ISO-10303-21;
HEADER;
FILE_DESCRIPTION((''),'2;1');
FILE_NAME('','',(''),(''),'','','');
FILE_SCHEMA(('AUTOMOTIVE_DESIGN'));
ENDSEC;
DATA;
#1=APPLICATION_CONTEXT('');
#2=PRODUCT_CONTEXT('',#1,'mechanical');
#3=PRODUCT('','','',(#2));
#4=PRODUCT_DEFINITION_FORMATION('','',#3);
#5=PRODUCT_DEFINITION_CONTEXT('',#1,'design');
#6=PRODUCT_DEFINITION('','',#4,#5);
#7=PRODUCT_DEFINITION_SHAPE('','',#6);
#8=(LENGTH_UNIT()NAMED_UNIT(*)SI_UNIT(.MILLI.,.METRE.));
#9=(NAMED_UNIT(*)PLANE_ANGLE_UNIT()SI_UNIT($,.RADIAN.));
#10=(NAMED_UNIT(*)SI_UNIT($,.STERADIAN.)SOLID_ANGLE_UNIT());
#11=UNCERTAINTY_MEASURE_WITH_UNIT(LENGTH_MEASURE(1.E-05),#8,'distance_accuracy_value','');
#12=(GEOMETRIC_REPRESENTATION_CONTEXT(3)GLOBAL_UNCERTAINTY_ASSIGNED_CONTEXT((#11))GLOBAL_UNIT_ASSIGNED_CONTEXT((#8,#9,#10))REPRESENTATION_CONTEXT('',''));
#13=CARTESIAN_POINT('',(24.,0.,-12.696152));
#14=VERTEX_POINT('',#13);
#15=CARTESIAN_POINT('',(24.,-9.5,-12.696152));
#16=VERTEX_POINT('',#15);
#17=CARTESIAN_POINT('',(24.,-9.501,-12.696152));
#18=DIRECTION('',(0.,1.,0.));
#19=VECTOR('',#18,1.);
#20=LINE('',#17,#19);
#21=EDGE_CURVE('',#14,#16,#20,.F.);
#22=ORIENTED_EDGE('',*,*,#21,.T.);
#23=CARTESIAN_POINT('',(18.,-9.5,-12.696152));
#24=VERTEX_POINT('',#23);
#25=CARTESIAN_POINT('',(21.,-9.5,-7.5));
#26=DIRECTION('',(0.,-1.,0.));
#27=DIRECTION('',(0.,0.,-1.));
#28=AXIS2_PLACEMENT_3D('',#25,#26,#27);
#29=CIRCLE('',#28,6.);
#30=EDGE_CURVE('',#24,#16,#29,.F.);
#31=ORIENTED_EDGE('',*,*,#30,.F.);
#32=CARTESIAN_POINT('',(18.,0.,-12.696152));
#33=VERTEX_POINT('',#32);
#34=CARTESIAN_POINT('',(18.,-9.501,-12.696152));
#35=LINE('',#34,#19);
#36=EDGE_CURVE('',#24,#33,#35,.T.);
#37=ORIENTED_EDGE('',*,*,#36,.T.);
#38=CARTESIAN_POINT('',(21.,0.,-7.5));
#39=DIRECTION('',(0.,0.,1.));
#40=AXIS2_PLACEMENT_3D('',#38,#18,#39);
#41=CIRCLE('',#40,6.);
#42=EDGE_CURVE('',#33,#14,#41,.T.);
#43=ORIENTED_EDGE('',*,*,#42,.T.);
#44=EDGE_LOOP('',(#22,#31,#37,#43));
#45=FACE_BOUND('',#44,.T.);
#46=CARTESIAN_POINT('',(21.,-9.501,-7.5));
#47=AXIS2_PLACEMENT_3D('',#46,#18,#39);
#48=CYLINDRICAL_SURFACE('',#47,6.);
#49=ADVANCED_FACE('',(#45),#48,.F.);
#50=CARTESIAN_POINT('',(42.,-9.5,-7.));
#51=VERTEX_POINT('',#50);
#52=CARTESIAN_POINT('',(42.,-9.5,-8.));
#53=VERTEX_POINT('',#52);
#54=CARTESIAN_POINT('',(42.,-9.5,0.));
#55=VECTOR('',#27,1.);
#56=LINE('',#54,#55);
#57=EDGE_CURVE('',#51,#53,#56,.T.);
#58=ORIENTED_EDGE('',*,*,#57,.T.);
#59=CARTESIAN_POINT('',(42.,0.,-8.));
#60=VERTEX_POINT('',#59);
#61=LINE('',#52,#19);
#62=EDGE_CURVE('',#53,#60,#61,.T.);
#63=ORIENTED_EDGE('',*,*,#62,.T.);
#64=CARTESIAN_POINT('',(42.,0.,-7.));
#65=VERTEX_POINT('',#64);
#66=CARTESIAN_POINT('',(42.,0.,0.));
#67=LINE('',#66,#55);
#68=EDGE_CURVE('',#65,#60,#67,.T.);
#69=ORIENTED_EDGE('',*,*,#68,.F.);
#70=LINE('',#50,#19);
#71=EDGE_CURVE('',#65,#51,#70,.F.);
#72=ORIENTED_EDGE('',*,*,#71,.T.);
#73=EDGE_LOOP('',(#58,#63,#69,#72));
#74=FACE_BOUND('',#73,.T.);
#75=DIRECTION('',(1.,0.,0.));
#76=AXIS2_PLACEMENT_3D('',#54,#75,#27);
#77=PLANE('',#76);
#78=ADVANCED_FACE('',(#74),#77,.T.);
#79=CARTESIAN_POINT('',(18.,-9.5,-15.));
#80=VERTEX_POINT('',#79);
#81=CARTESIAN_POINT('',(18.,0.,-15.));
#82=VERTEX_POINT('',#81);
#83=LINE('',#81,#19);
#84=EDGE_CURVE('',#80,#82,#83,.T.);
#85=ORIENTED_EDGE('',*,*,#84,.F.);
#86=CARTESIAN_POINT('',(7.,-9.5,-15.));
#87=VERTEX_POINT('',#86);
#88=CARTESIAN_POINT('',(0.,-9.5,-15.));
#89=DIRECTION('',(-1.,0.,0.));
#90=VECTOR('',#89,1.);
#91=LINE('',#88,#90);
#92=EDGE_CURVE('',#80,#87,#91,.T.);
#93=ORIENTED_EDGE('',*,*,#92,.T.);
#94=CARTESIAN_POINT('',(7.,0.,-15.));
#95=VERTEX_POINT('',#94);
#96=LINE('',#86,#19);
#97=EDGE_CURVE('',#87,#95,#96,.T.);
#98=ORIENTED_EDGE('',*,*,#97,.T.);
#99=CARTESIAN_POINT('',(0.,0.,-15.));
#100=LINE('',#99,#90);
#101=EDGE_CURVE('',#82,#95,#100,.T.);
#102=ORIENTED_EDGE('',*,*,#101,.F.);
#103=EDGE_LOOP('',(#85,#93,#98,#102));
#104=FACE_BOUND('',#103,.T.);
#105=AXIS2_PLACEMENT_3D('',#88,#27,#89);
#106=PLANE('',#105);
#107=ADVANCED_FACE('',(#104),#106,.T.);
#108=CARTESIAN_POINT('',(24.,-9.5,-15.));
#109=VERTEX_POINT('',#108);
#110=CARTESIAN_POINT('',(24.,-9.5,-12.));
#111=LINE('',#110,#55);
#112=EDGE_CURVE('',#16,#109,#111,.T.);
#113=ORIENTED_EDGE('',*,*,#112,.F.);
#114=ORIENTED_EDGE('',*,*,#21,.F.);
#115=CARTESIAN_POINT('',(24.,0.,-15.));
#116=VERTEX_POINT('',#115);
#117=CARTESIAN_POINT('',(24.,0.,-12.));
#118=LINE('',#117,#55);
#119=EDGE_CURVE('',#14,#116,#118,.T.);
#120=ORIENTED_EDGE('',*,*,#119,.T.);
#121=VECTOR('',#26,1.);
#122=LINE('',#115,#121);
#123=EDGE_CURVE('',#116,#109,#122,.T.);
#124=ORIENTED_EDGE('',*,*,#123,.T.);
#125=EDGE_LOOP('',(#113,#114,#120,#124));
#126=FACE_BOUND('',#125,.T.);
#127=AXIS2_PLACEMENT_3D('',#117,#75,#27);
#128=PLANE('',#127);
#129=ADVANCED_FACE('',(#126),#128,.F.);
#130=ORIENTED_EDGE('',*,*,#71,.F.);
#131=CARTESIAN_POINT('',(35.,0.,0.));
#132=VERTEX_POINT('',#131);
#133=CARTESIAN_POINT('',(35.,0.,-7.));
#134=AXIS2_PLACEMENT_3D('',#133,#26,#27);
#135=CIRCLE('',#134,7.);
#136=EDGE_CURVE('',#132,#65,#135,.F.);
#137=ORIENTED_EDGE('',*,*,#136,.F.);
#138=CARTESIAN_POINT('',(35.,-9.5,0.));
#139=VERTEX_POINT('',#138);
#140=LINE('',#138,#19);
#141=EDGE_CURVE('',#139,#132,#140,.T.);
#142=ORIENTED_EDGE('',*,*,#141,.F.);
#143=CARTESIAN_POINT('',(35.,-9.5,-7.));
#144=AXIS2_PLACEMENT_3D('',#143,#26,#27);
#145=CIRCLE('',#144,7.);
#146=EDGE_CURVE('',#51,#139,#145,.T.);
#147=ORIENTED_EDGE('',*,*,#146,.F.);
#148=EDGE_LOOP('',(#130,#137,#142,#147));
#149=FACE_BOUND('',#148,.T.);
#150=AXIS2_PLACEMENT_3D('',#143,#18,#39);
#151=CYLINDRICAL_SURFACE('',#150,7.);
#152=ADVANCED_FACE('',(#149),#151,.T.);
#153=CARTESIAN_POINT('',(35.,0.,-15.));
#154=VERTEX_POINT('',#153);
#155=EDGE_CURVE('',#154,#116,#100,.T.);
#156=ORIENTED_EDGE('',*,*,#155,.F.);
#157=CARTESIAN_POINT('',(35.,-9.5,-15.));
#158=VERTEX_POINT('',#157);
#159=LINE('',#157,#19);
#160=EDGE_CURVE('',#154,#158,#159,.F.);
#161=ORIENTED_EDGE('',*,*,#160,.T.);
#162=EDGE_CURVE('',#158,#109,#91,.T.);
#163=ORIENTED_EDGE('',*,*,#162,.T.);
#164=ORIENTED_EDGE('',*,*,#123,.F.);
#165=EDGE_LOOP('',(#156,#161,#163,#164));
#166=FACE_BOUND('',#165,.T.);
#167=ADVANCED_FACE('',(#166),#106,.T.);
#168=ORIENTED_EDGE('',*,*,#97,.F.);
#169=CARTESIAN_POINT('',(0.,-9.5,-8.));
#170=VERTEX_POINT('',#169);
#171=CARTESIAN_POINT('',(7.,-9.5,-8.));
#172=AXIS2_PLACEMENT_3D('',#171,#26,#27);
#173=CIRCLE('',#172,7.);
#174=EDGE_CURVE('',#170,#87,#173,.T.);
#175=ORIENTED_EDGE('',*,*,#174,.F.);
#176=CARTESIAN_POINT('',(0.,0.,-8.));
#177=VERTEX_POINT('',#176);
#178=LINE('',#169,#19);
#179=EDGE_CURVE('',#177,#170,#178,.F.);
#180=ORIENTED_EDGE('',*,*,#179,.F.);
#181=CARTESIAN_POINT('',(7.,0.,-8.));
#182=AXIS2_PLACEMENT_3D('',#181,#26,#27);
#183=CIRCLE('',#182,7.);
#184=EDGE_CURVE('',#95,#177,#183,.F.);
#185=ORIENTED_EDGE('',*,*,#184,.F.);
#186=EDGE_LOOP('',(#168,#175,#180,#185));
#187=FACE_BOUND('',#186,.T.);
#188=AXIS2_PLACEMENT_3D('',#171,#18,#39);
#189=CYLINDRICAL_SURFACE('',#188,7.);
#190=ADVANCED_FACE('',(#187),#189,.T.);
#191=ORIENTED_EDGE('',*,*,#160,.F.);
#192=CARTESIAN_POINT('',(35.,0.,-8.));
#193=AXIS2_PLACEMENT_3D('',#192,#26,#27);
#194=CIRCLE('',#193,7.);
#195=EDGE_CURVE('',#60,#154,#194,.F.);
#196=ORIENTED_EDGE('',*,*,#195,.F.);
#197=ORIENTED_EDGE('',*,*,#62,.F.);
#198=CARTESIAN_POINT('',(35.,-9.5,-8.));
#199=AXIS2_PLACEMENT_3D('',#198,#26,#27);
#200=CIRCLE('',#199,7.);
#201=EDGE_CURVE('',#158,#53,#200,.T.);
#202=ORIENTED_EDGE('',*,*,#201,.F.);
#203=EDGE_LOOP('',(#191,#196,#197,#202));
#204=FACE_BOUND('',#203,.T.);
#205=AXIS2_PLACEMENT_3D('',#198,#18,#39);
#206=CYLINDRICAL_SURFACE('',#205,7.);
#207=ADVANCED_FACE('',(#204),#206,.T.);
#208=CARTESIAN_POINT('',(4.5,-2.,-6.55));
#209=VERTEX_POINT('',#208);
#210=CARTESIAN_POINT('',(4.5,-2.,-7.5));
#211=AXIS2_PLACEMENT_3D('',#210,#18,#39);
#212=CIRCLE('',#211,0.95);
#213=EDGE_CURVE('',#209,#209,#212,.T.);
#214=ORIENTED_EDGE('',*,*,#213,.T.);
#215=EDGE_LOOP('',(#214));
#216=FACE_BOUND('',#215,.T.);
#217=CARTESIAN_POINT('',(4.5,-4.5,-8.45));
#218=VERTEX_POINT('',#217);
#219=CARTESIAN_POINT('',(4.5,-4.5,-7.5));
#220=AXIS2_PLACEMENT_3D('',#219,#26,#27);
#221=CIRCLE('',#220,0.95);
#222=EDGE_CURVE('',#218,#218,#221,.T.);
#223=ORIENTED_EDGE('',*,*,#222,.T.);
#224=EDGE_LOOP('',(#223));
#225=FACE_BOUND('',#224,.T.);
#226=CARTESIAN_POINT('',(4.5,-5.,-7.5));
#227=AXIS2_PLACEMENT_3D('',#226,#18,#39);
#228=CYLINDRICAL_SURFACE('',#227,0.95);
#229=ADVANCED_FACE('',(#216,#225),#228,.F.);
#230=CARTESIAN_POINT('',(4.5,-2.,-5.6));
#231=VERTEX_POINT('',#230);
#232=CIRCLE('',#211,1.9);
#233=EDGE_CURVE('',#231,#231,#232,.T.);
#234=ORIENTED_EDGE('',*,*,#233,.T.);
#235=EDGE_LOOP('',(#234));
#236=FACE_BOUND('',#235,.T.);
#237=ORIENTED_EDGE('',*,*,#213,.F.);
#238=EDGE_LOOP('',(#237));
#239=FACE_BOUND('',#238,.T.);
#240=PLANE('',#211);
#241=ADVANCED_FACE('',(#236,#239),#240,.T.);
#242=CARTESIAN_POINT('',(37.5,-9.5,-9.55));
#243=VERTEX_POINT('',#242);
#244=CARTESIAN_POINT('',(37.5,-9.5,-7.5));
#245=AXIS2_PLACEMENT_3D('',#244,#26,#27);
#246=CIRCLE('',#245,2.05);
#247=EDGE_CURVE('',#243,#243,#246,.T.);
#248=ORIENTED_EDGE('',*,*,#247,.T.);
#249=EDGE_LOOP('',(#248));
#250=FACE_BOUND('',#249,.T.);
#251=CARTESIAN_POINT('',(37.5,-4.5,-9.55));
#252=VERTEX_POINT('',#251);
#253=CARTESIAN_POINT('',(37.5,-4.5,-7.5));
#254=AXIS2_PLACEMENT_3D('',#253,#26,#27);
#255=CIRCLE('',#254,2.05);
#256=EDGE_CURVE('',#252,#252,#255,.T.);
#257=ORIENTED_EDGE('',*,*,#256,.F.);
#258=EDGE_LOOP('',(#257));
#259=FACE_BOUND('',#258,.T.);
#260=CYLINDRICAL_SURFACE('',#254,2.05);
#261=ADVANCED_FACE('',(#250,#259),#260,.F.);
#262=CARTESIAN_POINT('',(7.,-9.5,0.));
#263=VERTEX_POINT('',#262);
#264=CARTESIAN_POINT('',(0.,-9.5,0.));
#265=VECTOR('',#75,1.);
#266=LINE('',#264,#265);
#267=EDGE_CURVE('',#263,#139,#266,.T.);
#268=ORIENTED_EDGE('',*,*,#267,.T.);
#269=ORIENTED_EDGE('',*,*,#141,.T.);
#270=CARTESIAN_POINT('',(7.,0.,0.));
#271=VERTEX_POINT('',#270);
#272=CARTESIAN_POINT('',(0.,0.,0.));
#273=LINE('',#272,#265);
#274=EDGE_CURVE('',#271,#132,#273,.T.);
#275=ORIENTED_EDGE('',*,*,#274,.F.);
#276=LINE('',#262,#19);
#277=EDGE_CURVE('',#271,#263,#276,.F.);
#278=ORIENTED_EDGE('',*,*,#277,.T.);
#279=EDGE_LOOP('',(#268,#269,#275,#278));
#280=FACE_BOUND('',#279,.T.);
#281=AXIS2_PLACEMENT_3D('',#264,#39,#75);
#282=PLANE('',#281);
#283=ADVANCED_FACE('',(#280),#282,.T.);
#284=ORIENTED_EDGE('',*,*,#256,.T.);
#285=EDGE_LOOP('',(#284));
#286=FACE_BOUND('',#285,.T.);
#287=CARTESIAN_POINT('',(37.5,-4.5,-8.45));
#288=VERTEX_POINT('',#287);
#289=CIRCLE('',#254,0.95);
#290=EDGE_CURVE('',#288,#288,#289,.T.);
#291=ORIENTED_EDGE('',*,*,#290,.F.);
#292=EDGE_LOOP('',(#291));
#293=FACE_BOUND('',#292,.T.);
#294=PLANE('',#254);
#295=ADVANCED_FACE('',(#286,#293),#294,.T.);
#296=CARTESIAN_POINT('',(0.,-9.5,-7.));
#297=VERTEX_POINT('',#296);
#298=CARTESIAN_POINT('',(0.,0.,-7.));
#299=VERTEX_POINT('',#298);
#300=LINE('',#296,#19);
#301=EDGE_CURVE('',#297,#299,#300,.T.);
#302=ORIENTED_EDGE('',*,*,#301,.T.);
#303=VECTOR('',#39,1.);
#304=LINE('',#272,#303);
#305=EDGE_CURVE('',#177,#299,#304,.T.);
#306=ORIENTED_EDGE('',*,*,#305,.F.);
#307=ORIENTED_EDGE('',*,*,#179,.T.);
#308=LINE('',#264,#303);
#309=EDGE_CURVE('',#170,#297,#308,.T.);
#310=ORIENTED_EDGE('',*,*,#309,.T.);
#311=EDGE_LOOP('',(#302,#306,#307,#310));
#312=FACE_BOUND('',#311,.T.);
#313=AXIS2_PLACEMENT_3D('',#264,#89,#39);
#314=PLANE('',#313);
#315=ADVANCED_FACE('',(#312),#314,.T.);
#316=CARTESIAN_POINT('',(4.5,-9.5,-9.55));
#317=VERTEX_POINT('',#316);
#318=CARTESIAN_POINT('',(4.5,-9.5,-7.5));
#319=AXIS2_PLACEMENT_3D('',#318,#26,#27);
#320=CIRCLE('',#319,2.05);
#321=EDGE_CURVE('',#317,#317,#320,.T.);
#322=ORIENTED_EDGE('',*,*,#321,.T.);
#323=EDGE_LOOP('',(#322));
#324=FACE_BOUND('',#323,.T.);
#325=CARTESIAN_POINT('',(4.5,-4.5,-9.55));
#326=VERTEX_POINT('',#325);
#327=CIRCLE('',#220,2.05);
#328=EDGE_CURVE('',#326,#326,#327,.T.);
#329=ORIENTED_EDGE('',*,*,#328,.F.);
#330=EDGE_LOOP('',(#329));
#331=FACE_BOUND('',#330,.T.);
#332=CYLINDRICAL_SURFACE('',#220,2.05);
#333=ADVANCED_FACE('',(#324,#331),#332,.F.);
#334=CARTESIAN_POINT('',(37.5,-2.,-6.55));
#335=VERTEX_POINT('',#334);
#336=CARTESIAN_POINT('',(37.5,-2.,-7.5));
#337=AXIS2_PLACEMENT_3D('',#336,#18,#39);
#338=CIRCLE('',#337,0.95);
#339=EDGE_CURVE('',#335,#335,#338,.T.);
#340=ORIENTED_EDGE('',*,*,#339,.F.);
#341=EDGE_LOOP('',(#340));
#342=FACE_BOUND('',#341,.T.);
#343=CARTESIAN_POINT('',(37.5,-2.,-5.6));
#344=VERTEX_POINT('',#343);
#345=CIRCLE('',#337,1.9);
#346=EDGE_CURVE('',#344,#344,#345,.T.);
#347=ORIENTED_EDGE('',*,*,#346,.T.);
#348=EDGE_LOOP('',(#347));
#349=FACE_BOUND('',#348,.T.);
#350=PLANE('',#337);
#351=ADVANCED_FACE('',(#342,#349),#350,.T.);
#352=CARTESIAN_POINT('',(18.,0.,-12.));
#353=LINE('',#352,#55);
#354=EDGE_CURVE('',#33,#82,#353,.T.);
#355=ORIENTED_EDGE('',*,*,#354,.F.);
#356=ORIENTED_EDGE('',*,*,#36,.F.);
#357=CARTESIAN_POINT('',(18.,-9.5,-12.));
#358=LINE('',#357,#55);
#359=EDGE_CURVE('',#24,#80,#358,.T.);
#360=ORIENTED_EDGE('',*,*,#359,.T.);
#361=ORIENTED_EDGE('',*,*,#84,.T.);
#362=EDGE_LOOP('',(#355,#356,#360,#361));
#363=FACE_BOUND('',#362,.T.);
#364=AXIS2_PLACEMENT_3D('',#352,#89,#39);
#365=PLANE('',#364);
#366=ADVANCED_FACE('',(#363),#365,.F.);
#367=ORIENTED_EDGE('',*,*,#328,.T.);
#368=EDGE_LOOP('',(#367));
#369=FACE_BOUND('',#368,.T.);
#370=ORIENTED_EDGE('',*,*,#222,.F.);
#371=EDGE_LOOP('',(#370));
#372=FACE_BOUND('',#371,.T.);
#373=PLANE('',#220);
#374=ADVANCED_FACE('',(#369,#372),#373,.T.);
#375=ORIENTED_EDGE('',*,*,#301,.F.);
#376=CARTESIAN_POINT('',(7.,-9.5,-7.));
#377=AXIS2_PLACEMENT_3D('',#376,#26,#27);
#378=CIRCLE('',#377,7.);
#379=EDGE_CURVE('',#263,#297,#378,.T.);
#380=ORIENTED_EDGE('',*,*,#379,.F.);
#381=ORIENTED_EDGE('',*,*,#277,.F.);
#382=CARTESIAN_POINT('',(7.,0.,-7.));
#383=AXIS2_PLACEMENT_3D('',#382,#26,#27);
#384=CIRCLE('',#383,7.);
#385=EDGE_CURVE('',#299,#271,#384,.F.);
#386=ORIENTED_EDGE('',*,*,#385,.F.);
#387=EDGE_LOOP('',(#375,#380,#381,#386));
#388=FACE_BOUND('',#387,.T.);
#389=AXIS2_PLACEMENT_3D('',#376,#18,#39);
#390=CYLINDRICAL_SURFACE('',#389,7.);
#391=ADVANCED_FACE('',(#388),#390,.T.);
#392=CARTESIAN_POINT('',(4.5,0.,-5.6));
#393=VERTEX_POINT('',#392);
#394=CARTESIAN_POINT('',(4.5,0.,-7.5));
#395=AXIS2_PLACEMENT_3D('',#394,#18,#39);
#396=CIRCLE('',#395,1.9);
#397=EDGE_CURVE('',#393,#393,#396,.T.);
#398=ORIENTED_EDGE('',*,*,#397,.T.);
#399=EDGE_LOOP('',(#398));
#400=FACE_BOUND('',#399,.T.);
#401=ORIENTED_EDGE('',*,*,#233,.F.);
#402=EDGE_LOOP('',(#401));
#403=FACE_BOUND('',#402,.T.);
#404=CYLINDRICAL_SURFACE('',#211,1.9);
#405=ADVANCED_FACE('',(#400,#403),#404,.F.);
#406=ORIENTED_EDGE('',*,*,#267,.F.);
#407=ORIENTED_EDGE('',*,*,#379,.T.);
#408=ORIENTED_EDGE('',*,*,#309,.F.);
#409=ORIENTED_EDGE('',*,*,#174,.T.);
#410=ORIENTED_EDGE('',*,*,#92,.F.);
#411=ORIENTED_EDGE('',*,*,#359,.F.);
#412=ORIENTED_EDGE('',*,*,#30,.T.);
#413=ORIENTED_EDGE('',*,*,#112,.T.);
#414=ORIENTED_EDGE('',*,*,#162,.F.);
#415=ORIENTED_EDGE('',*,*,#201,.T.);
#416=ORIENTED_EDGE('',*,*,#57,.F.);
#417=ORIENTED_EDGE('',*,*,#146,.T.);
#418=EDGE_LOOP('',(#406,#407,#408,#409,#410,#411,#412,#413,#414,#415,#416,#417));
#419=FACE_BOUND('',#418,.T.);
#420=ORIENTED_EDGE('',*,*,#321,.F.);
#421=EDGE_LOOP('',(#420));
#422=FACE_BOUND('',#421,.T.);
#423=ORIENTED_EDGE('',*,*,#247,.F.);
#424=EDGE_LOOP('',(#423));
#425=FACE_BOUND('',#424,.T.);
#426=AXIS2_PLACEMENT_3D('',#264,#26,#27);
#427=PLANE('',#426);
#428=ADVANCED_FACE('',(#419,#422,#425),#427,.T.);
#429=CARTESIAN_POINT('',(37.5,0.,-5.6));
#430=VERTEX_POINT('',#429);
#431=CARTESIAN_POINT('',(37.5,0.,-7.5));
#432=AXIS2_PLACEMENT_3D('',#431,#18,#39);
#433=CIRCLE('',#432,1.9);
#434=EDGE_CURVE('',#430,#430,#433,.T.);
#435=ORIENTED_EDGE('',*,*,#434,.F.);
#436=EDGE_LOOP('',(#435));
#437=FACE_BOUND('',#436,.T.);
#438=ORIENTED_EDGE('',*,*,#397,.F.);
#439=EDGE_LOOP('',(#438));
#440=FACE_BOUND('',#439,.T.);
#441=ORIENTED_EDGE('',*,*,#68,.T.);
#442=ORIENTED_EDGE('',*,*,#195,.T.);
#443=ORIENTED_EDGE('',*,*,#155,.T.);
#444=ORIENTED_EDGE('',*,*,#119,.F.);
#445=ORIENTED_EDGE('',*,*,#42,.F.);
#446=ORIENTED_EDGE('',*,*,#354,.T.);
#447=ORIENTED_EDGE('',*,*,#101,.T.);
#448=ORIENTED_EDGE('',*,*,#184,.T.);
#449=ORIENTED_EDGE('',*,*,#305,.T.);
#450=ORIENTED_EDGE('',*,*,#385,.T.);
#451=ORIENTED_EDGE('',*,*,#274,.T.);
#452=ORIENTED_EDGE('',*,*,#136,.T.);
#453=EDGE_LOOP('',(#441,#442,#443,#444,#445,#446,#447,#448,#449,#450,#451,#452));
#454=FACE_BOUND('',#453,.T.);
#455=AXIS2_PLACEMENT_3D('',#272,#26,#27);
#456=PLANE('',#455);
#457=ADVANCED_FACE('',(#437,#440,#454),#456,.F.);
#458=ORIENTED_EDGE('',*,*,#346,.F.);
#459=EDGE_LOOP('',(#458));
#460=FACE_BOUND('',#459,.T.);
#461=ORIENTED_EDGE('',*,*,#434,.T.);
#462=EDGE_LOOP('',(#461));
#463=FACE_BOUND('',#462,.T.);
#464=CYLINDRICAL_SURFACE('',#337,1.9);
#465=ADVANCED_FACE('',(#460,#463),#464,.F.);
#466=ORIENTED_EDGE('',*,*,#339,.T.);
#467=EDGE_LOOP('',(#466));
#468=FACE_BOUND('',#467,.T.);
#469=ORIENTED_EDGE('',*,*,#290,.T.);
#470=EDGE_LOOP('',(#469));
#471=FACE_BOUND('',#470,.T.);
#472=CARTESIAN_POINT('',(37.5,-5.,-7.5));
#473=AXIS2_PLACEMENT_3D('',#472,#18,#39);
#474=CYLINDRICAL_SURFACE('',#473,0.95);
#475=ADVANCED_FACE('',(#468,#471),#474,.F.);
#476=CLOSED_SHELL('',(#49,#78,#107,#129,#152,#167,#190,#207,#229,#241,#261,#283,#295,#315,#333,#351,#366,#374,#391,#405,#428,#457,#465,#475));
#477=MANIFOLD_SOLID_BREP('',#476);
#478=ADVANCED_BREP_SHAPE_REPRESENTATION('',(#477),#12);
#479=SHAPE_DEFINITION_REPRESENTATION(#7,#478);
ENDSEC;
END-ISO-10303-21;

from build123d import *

# Parameters (mm, degrees)
SKETCH1_W           = 42
SKETCH1_H           = 15
BOSS_EXTRUDE1_DEPTH = 9.5
CUT_EXTRUDE1_REACH  = 11.5
SKETCH2_R           = 6
SKETCH4_R           = 1.9
CUT_EXTRUDE3_DEPTH  = 2
SKETCH5_R           = 2.05
CUT_EXTRUDE4_DEPTH  = 5
SKETCH6_R           = 0.95
CUT_EXTRUDE5_DEPTH  = 3
FILLET1_R           = 7
SKETCH7_W           = 6
SKETCH7_H           = 9.5
CUT_EXTRUDE6_DEPTH  = 3


with BuildPart() as part:
    # Sketch1 → Boss-Extrude1 (new body)
    with BuildSketch(Plane(origin=(0, 0, 0), x_dir=(1, 0, 0), z_dir=(0, 1, 0))):
        with Locations((21, 7.5)):
            Rectangle(SKETCH1_W, SKETCH1_H)
    extrude(amount=-BOSS_EXTRUDE1_DEPTH)

    # Sketch2 → Cut-Extrude1 (cut, up to next)
    with BuildSketch(Plane(origin=(0, 0, 0), x_dir=(1, 0, 0), z_dir=(0, 1, 0)), mode=Mode.PRIVATE) as cut_extrude1_sk1:
        with Locations((21, 7.5)):
            Circle(SKETCH2_R)
    cut_extrude1_tool1 = extrude(cut_extrude1_sk1.sketch, amount=-CUT_EXTRUDE1_REACH, mode=Mode.PRIVATE) & part.part
    add(cut_extrude1_tool1.solids().sort_by_distance((21, 0, -7.5))[0], mode=Mode.SUBTRACT)

    # Sketch4 → Cut-Extrude3 (cut)
    with BuildSketch(Plane(origin=(0, 0, 0), x_dir=(1, 0, 0), z_dir=(0, 1, 0))):
        with Locations((4.5, 7.5)):
            Circle(SKETCH4_R)
        with Locations((37.5, 7.5)):
            Circle(SKETCH4_R)
    extrude(amount=-CUT_EXTRUDE3_DEPTH, mode=Mode.SUBTRACT)

    # Sketch5 → Cut-Extrude4 (cut)
    with BuildSketch(Plane(origin=(0, -9.5, 0), x_dir=(-1, 0, 0), z_dir=(0, -1, 0))):
        with Locations((-37.5, 7.5)):
            Circle(SKETCH5_R)
        with Locations((-4.5, 7.5)):
            Circle(SKETCH5_R)
    extrude(amount=-CUT_EXTRUDE4_DEPTH, mode=Mode.SUBTRACT)

    # Sketch6 → Cut-Extrude5 (cut)
    with BuildSketch(Plane(origin=(0, -2, 0), x_dir=(1, 0, 0), z_dir=(0, 1, 0))):
        with Locations((4.5, 7.5)):
            Circle(SKETCH6_R)
        with Locations((37.5, 7.5)):
            Circle(SKETCH6_R)
    extrude(amount=-CUT_EXTRUDE5_DEPTH, mode=Mode.SUBTRACT)

    # Fillet1
    fillet1_edges = [part.edges().sort_by_distance(p)[0] for p in [
        (0, -4.75, -15),
        (42, -4.75, -15),
        (42, -4.75, 0),
        (0, -4.75, 0),
    ]]
    fillet(fillet1_edges, radius=FILLET1_R)

    # Sketch7 → Cut-Extrude6 (cut)
    with BuildSketch(Plane(origin=(0, 0, -15), x_dir=(-1, 0, 0), z_dir=(0, 0, -1))):
        with Locations((-21, -4.75)):
            Rectangle(SKETCH7_W, SKETCH7_H)
    extrude(amount=-CUT_EXTRUDE6_DEPTH, mode=Mode.SUBTRACT)


solid = part.part
